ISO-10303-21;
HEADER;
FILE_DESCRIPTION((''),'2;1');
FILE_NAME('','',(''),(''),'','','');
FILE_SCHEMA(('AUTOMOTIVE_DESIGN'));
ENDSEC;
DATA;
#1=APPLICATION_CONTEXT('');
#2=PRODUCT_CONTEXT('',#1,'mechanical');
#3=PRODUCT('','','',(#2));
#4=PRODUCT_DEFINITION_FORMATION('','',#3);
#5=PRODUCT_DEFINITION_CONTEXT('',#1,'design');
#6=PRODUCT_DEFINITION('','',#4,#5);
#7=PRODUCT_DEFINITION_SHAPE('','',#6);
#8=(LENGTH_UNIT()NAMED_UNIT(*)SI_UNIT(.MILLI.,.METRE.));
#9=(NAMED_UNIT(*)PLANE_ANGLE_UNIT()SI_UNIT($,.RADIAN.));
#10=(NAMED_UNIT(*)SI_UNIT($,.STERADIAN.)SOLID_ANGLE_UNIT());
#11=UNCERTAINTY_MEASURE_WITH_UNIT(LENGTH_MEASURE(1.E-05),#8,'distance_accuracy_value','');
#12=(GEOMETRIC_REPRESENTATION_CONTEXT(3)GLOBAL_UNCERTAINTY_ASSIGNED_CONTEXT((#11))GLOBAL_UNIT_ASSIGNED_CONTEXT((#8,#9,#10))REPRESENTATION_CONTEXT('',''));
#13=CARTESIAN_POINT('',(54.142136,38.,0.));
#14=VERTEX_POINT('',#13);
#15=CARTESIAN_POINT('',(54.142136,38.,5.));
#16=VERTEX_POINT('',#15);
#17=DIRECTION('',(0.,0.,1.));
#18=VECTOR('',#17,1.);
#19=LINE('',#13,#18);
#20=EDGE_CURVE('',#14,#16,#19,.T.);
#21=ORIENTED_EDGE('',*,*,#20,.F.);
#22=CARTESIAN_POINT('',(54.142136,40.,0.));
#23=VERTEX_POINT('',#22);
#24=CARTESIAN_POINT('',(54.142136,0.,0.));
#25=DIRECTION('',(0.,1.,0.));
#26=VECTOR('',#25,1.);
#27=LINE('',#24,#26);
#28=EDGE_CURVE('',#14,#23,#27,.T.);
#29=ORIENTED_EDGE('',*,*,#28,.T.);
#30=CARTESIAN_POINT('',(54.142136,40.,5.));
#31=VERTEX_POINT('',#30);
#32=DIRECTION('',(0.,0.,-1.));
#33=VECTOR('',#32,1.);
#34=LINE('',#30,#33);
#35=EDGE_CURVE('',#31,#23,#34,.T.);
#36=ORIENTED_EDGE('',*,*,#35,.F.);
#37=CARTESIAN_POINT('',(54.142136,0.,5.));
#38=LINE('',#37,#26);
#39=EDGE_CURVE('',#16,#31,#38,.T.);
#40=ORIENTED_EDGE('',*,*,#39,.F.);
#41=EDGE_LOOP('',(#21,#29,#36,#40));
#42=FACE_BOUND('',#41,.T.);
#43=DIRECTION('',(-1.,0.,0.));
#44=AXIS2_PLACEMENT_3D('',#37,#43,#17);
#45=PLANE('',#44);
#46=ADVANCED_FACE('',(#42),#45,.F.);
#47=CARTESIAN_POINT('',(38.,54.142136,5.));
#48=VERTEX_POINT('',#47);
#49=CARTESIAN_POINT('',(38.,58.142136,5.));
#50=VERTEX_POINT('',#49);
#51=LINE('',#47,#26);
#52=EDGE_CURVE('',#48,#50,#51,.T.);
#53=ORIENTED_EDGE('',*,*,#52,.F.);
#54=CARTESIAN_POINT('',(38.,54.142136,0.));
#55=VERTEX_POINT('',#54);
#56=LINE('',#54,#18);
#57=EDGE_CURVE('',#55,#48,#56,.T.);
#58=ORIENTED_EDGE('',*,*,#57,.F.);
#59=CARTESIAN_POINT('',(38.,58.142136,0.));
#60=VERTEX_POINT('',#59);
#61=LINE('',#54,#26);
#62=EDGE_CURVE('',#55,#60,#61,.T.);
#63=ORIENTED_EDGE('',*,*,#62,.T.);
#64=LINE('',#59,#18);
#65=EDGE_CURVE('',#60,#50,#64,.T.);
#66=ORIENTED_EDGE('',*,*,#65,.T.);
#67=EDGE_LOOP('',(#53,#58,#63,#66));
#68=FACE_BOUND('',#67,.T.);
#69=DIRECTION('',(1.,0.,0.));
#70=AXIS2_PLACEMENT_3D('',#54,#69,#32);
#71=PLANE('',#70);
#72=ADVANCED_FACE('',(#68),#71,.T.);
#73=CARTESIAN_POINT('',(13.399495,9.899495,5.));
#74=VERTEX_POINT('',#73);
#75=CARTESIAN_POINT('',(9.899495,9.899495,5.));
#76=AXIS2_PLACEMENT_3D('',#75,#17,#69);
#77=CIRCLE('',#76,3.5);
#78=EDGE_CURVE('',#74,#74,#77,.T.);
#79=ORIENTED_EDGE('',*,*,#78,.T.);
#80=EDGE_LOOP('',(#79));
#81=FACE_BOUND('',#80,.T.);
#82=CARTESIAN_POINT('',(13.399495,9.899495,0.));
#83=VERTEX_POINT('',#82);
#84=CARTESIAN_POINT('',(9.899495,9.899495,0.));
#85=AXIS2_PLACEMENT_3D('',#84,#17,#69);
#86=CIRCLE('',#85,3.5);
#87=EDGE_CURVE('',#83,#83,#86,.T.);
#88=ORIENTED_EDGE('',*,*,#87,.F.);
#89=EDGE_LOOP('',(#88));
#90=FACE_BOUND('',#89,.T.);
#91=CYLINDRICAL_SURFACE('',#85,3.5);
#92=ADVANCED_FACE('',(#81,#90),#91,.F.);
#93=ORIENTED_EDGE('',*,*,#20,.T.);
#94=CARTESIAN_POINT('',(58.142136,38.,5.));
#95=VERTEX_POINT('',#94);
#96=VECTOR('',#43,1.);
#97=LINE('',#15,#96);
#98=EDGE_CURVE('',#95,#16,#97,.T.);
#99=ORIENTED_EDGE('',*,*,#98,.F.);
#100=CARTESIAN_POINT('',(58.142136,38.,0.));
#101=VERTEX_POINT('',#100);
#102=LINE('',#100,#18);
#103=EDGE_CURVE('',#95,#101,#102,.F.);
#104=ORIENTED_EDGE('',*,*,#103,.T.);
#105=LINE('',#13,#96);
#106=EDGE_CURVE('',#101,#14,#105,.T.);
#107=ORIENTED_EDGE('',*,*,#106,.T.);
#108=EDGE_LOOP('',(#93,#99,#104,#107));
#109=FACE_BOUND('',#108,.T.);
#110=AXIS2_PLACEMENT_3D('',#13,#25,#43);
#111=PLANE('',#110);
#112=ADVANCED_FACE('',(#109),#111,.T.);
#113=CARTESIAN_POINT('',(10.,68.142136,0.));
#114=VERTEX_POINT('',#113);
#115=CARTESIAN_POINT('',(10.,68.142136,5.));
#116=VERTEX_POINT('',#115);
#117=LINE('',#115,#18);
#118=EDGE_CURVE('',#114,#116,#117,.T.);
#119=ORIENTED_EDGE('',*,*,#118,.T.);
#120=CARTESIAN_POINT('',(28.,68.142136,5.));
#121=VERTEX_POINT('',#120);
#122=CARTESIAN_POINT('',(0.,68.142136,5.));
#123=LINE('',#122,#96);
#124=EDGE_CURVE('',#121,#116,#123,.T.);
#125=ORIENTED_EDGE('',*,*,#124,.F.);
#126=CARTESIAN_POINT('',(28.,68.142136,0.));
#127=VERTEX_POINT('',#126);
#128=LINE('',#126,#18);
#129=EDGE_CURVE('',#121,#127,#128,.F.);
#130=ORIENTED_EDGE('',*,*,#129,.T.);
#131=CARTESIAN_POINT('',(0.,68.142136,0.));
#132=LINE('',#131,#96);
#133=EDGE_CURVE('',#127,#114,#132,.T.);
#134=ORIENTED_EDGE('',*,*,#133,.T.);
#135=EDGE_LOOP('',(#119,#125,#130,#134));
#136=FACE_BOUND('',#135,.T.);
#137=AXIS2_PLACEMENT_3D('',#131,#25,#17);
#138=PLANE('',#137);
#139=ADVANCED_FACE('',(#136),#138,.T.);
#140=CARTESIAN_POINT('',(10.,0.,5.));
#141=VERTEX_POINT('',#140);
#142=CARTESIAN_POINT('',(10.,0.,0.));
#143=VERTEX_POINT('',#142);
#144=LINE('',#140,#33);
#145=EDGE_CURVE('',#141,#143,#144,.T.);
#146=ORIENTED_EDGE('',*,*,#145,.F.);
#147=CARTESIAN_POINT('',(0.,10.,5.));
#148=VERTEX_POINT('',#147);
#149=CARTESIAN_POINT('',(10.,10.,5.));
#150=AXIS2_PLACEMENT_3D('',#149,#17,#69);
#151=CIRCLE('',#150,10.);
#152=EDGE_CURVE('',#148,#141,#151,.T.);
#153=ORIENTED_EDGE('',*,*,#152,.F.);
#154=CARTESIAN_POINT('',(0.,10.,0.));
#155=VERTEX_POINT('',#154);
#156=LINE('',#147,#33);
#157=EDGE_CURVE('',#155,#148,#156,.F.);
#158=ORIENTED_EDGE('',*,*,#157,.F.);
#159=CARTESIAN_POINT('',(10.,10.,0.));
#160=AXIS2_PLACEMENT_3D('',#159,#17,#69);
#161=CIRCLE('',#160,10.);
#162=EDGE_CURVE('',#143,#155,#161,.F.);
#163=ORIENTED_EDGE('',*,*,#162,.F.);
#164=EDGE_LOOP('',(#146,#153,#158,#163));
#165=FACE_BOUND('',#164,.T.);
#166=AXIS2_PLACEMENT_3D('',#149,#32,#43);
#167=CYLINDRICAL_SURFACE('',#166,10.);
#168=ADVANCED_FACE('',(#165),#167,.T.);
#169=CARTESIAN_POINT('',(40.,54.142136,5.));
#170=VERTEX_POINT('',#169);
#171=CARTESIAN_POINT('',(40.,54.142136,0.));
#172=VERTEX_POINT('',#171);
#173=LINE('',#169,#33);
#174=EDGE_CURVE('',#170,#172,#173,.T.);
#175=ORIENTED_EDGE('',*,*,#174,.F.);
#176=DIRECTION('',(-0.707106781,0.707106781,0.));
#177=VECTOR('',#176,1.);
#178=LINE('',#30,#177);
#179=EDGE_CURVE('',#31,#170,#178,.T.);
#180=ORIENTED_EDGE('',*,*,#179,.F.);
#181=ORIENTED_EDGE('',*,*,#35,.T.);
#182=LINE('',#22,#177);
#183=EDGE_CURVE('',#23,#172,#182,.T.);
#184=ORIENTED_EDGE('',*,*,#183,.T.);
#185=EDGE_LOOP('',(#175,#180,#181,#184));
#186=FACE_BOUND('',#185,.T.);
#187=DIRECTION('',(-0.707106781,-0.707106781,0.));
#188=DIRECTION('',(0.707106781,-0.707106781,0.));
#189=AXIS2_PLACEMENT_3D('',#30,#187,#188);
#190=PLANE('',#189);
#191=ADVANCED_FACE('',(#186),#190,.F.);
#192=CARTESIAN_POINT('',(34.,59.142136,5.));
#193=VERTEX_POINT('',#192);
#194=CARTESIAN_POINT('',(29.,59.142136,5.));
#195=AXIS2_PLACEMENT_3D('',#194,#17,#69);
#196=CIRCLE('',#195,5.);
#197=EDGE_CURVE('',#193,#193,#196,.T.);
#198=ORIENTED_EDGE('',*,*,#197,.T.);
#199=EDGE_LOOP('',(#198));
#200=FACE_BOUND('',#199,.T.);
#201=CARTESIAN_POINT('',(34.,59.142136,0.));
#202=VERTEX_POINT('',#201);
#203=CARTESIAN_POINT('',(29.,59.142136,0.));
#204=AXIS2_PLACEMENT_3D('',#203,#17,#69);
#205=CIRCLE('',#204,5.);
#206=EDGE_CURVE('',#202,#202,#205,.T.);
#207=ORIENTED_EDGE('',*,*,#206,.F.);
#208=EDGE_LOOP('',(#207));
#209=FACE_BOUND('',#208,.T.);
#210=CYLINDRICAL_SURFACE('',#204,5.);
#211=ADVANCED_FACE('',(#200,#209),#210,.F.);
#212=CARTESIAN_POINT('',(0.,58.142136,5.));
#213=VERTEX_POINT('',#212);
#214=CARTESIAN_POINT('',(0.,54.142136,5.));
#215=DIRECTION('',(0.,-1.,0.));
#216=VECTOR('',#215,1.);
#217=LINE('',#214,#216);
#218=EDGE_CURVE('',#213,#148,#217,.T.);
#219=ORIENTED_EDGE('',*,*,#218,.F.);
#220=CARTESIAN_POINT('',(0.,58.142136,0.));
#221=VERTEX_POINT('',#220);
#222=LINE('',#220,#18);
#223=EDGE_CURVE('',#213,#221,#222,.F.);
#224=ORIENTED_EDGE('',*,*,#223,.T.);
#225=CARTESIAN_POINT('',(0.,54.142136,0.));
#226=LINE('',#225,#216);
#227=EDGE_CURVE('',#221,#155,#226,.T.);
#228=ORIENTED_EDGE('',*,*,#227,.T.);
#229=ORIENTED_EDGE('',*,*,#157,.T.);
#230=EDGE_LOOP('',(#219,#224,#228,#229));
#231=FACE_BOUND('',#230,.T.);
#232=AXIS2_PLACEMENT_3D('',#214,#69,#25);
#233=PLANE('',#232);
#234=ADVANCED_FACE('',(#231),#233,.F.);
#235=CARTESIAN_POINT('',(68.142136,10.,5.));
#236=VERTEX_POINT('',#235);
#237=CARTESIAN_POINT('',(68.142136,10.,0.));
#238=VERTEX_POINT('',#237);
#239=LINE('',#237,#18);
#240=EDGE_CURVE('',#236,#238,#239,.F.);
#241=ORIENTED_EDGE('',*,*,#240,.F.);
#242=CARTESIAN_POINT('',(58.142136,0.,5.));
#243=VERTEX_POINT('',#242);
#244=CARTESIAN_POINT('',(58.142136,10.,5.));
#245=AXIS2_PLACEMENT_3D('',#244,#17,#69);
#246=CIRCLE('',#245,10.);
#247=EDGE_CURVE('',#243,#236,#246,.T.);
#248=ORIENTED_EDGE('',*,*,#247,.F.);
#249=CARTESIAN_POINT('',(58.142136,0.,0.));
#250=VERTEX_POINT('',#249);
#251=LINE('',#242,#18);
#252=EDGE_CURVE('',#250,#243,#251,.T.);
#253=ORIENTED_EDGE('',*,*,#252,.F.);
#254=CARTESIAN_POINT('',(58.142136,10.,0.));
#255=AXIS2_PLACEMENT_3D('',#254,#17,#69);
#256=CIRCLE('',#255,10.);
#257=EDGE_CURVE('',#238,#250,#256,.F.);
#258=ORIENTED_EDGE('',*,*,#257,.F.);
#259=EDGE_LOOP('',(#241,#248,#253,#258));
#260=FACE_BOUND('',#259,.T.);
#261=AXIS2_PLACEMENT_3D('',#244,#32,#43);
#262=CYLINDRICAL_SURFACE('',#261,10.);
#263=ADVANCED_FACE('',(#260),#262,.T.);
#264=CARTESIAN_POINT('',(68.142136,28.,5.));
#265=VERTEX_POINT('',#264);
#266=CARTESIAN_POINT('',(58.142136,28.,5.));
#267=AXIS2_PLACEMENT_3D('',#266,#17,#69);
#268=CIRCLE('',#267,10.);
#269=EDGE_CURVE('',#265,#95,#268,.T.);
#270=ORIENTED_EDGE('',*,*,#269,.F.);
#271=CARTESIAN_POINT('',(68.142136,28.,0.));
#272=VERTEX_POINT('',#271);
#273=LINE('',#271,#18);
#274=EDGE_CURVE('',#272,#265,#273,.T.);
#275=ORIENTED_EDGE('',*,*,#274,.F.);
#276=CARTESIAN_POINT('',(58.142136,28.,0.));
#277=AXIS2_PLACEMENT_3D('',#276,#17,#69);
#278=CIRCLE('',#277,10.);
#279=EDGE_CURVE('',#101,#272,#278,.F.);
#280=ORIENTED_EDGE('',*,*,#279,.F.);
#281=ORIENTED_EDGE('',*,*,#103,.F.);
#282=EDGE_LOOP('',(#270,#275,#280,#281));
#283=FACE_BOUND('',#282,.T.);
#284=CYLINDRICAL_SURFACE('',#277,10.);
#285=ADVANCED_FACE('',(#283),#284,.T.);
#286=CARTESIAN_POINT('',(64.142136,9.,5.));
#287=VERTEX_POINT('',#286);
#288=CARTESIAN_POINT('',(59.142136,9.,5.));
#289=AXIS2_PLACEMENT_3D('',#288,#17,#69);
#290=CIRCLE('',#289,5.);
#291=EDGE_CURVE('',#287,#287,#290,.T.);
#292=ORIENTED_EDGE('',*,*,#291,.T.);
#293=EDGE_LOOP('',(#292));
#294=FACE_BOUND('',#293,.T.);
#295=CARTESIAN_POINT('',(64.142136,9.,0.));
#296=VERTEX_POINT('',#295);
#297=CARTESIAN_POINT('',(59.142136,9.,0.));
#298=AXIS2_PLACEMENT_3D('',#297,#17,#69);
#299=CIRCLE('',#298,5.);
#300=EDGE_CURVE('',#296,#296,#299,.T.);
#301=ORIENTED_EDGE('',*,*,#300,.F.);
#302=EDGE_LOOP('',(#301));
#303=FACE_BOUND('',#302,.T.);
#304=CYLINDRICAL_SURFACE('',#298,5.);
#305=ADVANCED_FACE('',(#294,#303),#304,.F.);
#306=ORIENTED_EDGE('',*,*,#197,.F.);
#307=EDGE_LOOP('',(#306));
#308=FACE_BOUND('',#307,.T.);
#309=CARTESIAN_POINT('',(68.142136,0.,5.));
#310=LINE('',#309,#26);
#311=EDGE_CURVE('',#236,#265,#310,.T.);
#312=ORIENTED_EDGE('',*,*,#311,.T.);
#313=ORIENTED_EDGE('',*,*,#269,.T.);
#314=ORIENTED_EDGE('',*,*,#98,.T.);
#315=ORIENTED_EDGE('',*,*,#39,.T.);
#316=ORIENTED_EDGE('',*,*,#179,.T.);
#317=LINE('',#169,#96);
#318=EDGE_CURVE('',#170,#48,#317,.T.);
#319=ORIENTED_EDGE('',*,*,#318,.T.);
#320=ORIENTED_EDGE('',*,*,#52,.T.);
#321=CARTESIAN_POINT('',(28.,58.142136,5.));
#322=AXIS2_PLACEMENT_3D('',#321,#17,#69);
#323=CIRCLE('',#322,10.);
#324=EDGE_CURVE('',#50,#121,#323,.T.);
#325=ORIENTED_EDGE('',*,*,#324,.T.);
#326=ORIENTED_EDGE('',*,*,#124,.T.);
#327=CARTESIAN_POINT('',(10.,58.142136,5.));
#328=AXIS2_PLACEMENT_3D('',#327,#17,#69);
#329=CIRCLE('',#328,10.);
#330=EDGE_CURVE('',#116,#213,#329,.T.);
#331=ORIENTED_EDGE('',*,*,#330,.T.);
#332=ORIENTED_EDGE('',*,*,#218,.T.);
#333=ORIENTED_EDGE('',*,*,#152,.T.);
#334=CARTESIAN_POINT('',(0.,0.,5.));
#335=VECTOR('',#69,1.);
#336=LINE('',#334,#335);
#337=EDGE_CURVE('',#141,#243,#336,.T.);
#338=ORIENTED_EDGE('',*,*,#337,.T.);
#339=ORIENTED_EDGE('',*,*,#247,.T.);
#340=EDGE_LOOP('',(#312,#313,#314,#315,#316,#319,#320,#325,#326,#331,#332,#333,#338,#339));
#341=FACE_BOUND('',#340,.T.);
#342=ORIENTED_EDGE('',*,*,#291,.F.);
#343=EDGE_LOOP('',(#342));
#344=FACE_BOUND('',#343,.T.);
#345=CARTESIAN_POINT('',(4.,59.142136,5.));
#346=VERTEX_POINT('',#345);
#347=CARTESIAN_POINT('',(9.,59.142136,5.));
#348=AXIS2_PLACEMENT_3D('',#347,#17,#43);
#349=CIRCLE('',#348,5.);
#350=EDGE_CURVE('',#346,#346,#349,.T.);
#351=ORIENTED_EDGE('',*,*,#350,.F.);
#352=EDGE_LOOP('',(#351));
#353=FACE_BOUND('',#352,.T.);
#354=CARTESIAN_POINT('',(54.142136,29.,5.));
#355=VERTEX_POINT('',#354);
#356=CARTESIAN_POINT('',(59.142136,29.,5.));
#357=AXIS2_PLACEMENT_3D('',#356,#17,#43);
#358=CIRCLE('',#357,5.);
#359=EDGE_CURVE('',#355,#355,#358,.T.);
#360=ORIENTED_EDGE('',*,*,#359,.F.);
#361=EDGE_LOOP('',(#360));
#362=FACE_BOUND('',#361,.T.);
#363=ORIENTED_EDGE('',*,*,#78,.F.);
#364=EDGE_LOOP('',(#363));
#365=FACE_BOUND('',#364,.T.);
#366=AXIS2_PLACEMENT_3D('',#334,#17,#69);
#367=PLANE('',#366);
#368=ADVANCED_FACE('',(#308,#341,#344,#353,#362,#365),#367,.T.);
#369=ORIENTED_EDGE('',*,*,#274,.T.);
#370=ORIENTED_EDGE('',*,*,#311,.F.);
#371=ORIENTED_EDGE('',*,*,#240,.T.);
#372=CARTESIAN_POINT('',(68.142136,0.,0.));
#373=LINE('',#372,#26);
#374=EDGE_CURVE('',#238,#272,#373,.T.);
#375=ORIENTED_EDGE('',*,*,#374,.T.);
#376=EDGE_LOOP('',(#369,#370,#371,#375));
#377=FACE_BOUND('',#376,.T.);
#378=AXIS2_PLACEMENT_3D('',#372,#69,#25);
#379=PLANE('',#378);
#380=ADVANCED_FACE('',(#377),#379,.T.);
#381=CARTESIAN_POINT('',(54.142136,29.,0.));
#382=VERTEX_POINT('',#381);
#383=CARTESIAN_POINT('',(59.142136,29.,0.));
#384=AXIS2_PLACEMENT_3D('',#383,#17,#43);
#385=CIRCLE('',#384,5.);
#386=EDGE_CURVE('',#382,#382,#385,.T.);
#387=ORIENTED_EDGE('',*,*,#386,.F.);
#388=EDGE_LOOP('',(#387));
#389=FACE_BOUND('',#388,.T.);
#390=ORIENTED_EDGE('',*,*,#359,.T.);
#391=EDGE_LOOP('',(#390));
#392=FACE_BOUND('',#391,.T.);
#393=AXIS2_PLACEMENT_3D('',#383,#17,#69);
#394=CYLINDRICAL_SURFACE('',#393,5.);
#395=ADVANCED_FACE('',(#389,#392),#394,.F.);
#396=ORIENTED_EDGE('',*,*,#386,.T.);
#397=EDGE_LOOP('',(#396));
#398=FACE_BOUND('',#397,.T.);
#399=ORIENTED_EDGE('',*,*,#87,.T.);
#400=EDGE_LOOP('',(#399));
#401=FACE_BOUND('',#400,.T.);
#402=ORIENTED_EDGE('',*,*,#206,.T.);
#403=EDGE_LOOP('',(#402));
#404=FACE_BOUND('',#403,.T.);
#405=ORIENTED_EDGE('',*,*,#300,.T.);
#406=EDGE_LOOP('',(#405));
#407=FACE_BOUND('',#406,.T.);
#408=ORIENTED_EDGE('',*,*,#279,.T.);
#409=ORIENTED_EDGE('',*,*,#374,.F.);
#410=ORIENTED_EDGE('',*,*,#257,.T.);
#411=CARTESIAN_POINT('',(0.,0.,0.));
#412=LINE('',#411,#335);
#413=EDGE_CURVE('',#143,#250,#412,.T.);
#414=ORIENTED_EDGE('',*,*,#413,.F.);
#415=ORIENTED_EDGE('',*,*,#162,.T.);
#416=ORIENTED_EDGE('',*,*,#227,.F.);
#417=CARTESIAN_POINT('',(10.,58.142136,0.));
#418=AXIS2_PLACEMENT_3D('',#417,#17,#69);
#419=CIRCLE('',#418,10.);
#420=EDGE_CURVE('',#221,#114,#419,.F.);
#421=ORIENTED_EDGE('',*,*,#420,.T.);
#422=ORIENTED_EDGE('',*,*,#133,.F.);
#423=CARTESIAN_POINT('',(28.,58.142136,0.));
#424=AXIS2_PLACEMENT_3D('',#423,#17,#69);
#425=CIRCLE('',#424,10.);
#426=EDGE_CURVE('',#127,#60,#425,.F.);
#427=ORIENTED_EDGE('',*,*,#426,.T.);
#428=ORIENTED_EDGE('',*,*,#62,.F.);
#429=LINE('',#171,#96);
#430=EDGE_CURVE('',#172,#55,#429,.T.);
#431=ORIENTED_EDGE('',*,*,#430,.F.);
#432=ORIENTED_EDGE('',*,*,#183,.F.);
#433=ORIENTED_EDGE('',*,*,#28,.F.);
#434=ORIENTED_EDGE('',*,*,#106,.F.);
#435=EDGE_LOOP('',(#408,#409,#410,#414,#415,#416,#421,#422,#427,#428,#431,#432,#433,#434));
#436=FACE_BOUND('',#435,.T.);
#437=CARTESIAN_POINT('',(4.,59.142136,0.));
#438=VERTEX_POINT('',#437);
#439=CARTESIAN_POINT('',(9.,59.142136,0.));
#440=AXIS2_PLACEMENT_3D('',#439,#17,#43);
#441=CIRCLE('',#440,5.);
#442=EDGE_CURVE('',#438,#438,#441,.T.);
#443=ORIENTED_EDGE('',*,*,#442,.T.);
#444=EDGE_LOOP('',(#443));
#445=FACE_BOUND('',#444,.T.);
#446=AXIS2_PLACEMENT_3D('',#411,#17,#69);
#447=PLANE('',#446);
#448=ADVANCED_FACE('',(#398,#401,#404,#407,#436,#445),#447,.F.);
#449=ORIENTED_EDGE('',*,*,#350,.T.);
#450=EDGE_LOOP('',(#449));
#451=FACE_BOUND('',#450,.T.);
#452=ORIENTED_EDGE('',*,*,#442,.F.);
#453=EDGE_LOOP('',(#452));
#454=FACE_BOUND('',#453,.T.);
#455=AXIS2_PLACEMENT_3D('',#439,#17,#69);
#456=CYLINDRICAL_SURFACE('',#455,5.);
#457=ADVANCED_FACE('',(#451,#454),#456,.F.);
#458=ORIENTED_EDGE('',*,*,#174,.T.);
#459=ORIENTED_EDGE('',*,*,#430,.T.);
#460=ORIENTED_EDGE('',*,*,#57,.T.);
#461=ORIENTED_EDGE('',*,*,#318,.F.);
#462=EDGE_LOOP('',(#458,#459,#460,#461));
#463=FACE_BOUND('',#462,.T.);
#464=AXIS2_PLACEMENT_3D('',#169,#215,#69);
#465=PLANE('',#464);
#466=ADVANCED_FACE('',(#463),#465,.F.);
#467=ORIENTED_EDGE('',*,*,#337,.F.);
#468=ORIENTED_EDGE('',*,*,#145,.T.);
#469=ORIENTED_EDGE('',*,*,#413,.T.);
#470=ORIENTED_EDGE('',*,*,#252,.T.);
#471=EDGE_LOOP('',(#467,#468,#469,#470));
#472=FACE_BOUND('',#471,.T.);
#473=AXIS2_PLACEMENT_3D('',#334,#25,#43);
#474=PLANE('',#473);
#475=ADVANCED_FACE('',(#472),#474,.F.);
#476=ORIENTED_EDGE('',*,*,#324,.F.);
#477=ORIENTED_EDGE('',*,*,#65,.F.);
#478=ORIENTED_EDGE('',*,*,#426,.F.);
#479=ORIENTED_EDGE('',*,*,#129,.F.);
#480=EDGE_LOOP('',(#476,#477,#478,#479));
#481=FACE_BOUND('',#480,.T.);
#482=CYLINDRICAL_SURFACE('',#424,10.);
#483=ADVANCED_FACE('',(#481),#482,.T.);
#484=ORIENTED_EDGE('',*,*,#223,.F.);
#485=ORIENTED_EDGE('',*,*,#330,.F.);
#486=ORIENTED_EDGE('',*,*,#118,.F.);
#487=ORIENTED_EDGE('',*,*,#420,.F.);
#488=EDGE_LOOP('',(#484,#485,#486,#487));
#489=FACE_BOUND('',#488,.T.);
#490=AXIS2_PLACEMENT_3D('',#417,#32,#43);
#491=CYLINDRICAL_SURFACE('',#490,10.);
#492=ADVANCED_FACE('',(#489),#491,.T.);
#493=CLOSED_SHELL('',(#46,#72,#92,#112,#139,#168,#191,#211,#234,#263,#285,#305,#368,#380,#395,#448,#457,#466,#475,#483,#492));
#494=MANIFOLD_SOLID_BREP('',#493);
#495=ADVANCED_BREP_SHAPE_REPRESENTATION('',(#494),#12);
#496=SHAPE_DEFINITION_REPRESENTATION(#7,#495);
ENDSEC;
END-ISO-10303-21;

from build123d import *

# Parameters (mm, degrees)
BOSS_EXTRU_1_DEPTH      = 5
ESQUISSE3_W             = 38
ESQUISSE3_H             = 14
ESQUISSE3_W_2           = 14
ESQUISSE3_H_2           = 38
BOSS_EXTRU_2_DEPTH      = 5
ESQUISSE4_R             = 5
ESQUISSE4_R_2           = 3.5
ENL_V_MAT_EXTRU_2_DEPTH = 97.497156926
CONG_1_R                = 10


with BuildPart() as part:
    # Esquisse1 → Boss.-Extru.1 (new body)
    with BuildSketch(Plane.XY):
        Polygon((0, 0), (54.142135624, 0), (54.142135624, 40), (40, 54.142135624), (0, 54.142135624), align=None)
    extrude(amount=BOSS_EXTRU_1_DEPTH)

    # Esquisse3 → Boss.-Extru.2 (add)
    with BuildSketch(Plane.XY.offset(5)):
        with Locations((19, 61.142135624)):
            Rectangle(ESQUISSE3_W, ESQUISSE3_H)
        with Locations((61.142135624, 19)):
            Rectangle(ESQUISSE3_W_2, ESQUISSE3_H_2)
    extrude(amount=-BOSS_EXTRU_2_DEPTH)

    # Esquisse4 → Enlèv. mat.-Extru.2 (cut, through all)
    with BuildSketch(Plane.XY.offset(5)):
        with Locations((29, 59.142135624)):
            Circle(ESQUISSE4_R)
        with Locations(Location((9, 59.142135624, 0), (0, 0, 180))):
            Circle(ESQUISSE4_R)
        with Locations((59.142135624, 9)):
            Circle(ESQUISSE4_R)
        with Locations(Location((59.142135624, 29, 0), (0, 0, 180))):
            Circle(ESQUISSE4_R)
        with Locations((9.899494937, 9.899494937)):
            Circle(ESQUISSE4_R_2)
    extrude(amount=-ENL_V_MAT_EXTRU_2_DEPTH, mode=Mode.SUBTRACT)

    # Congé1
    cong_1_edges = [part.edges().sort_by_distance(p)[0] for p in [
        (0, 68.142135624, 2.5),
        (38, 68.142135624, 2.5),
        (68.142135624, 38, 2.5),
        (68.142135624, 0, 2.5),
        (0, 0, 2.5),
    ]]
    fillet(cong_1_edges, radius=CONG_1_R)


solid = part.part
